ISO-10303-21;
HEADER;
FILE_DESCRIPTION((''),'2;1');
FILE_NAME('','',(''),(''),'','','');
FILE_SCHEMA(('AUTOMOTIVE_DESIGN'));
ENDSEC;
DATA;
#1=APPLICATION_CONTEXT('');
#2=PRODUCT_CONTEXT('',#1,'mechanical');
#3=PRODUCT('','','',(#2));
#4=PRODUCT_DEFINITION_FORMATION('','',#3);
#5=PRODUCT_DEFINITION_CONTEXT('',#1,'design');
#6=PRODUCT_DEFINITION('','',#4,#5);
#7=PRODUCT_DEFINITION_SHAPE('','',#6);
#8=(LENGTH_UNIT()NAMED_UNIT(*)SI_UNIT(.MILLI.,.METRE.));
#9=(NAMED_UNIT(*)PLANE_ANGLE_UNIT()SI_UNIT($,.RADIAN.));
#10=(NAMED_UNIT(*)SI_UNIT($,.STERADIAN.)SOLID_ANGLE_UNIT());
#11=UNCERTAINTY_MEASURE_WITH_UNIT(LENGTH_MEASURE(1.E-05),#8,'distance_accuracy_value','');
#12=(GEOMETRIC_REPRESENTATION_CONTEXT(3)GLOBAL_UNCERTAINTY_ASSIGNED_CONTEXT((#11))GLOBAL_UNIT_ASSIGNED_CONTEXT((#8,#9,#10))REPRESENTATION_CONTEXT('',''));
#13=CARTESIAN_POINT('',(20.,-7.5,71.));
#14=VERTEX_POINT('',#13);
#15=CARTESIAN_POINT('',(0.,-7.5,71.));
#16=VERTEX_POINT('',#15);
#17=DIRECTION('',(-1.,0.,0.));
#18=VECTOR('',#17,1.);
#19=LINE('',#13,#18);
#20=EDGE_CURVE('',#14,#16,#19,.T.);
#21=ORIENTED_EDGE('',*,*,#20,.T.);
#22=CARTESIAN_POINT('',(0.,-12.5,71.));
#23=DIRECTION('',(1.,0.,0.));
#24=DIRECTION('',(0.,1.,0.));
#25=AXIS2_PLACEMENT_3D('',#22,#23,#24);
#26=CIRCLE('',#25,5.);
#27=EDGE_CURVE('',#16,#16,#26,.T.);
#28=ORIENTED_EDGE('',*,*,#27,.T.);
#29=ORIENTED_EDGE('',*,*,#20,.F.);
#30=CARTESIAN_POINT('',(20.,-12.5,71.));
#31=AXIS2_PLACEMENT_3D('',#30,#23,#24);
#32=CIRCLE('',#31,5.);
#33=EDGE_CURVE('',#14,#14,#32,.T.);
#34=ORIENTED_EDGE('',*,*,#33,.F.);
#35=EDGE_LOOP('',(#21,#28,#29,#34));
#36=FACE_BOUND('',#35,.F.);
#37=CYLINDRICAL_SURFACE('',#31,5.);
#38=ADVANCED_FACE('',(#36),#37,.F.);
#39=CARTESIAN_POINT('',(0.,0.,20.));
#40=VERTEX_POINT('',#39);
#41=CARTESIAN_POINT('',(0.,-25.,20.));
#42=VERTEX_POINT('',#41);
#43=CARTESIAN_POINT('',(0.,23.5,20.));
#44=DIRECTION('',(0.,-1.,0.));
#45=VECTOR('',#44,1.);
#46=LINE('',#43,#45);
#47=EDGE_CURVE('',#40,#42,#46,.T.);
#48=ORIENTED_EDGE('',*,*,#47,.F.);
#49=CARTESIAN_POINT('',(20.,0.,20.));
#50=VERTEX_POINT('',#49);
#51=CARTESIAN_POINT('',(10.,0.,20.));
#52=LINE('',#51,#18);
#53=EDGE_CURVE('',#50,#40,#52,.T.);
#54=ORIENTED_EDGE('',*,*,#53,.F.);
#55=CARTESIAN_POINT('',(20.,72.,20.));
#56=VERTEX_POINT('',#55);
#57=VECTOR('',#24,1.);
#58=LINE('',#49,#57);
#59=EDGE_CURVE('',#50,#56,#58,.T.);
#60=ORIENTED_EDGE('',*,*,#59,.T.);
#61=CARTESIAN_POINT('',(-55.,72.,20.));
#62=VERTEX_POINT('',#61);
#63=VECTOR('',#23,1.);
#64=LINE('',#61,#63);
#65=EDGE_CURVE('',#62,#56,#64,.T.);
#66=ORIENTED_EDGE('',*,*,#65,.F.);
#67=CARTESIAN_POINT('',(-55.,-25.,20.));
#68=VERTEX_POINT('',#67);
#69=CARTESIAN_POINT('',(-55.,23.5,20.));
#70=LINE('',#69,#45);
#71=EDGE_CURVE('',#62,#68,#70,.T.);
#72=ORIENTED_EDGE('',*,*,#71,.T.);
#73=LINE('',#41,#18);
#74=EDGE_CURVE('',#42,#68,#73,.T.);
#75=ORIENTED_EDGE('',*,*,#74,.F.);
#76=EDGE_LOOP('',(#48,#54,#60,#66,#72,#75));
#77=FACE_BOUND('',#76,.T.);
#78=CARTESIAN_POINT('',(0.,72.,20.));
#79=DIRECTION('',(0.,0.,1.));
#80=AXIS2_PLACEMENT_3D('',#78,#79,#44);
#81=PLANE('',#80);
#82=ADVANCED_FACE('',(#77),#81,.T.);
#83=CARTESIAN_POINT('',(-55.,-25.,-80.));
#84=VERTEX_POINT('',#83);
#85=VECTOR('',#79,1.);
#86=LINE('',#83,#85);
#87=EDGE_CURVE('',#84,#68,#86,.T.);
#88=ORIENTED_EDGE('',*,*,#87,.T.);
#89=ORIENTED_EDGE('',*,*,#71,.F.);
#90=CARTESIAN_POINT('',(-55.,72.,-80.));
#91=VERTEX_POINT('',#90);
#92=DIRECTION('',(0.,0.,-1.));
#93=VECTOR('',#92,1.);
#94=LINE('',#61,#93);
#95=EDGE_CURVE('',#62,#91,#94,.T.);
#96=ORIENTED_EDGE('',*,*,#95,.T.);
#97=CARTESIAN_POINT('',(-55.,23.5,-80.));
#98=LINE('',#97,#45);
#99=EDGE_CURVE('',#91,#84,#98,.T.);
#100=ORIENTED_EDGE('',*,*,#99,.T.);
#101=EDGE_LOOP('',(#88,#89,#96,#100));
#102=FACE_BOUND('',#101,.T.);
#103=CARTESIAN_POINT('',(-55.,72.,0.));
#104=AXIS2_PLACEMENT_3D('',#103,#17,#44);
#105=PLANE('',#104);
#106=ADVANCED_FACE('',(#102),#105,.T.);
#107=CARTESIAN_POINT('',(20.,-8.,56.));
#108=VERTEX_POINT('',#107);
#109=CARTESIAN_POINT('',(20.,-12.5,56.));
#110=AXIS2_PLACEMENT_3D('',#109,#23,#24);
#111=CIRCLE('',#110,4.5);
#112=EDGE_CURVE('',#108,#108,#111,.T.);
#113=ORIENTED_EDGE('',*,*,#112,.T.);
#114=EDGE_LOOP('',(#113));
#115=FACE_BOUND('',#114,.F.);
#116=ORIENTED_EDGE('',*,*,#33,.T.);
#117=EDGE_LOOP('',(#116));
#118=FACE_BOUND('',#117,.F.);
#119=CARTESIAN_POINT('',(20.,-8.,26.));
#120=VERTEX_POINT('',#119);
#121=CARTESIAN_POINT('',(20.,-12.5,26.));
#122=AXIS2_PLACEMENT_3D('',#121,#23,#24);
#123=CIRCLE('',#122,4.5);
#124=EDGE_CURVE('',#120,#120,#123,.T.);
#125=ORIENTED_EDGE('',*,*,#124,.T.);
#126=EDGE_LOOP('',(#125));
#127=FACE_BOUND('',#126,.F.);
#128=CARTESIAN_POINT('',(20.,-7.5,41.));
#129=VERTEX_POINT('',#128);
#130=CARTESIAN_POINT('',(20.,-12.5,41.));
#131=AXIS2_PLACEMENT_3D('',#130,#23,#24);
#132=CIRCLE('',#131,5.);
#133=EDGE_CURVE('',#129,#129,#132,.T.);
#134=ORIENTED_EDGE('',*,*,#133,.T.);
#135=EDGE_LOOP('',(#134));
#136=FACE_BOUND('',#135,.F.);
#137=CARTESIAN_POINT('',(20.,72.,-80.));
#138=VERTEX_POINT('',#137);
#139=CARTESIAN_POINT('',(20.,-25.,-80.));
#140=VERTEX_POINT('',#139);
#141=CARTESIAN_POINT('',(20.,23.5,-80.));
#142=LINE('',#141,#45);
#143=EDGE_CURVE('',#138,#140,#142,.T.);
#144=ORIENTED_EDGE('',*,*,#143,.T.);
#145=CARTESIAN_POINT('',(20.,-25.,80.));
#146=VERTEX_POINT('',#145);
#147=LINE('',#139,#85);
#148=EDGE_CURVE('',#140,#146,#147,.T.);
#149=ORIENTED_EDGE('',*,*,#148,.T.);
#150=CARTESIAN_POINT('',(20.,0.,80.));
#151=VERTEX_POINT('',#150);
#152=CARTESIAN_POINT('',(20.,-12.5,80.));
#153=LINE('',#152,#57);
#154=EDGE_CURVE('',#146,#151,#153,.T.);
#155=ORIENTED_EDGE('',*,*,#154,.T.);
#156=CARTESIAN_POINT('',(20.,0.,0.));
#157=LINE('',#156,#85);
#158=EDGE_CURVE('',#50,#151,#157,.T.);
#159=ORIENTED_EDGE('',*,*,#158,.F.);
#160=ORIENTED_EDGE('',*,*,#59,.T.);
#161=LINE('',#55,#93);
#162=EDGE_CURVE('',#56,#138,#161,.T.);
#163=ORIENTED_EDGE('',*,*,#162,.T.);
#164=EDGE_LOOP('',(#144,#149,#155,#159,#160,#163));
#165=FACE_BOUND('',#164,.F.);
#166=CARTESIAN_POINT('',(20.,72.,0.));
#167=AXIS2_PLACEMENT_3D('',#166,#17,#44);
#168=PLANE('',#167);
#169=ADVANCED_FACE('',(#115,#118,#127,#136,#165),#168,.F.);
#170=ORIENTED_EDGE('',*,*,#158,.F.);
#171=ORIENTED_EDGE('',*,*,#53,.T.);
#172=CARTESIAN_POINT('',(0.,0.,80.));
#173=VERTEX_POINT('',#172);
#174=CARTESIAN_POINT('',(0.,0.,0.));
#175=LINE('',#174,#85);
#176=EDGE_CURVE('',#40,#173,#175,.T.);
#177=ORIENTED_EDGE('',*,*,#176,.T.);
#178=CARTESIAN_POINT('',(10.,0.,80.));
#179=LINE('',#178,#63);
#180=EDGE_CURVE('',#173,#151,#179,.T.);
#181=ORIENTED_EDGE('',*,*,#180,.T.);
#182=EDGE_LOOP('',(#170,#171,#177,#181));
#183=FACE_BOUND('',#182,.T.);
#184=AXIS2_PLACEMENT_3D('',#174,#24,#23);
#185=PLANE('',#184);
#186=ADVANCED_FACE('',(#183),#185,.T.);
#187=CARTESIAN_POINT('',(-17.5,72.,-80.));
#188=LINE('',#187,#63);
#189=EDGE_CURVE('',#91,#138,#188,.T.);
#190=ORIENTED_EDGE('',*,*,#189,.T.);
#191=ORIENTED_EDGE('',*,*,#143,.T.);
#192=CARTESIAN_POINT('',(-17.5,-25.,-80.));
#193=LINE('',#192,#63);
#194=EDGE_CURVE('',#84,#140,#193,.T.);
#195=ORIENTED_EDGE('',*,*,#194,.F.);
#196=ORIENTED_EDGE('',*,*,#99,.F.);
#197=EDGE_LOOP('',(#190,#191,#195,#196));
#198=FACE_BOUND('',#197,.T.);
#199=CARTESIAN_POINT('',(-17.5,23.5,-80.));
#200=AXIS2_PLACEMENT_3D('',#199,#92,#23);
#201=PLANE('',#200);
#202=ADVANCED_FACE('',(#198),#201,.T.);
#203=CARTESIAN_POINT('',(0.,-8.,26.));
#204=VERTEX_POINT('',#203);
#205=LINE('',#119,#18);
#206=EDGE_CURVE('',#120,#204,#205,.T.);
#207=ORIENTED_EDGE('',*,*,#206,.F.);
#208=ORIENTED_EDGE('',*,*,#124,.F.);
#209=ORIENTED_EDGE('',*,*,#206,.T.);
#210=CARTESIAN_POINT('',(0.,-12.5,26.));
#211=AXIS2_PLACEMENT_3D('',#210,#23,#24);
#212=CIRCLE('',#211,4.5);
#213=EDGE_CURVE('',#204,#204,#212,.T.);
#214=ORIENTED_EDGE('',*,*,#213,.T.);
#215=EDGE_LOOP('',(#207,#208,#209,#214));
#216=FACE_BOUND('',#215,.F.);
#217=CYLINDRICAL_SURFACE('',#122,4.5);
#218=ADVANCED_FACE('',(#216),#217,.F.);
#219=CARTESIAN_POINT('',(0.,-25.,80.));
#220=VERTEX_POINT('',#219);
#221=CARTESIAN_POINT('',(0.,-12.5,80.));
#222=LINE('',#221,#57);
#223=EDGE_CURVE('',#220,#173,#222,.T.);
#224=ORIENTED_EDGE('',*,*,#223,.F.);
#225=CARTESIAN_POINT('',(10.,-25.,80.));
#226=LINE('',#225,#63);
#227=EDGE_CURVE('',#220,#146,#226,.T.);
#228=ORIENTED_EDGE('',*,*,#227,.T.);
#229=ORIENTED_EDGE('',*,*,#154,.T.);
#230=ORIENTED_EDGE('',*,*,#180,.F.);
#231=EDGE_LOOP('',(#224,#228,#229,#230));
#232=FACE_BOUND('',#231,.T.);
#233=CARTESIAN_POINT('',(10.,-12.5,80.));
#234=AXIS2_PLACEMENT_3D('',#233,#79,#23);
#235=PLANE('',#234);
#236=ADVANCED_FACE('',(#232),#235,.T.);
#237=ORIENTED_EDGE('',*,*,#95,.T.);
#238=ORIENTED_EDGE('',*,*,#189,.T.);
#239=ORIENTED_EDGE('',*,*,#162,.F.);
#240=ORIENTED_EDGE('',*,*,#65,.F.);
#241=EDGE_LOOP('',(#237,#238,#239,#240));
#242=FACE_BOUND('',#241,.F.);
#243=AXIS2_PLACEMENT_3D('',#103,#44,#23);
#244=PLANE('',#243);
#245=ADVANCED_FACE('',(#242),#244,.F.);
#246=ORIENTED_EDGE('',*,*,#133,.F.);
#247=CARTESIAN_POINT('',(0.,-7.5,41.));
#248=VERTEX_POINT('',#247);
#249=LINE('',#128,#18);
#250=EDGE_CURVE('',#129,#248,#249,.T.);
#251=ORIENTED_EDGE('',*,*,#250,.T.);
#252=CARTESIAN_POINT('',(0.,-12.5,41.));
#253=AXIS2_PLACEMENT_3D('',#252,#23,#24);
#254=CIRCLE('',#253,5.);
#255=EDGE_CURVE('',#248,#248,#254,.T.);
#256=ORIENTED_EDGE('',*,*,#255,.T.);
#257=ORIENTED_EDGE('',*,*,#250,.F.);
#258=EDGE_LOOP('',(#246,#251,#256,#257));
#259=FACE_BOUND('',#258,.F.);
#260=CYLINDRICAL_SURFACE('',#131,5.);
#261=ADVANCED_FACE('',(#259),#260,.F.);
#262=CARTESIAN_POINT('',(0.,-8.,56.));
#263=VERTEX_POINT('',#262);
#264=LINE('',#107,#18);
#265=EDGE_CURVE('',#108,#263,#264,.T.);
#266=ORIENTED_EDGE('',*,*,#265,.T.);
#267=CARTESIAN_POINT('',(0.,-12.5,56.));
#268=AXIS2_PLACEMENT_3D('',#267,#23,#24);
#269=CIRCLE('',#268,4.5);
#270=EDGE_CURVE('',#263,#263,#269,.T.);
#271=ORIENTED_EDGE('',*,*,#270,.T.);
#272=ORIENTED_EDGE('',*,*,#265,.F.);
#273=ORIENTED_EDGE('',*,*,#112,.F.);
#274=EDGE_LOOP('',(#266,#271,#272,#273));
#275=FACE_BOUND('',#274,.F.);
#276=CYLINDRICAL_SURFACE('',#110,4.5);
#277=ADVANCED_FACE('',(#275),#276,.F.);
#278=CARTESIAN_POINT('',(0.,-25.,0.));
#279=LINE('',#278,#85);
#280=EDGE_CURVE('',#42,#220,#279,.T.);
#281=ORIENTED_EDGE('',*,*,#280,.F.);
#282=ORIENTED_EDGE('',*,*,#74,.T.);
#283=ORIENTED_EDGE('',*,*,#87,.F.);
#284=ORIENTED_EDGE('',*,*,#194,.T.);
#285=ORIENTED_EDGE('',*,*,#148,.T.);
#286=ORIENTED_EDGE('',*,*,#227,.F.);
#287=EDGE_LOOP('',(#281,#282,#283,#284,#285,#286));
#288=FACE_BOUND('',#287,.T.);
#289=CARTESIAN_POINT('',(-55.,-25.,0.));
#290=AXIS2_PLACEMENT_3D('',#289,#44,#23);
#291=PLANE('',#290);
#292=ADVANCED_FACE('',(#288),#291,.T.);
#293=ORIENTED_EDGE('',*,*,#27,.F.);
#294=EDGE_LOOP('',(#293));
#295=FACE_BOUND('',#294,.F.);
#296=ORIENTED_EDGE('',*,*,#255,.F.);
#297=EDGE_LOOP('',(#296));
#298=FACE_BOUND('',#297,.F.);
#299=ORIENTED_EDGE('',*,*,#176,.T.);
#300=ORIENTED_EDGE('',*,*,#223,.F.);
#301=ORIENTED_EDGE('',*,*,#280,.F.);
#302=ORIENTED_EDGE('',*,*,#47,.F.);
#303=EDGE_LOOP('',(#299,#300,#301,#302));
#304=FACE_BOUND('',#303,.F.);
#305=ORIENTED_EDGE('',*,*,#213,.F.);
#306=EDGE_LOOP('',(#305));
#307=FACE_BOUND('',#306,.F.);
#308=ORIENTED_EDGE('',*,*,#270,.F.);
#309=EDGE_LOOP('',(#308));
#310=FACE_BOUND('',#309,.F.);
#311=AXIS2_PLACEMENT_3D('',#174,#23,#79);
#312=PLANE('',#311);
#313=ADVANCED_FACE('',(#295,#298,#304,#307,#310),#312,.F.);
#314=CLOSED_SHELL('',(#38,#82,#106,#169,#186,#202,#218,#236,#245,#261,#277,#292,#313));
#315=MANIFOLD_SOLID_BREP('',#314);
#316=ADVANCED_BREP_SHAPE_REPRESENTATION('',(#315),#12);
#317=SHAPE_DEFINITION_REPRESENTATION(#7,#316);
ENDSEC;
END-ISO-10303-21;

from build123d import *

# Parameters (mm, degrees)
F0_W     = 20
F0_H     = 25
F1_DEPTH = 80
F2_R     = 5
F2_R_2   = 4.5
F3_DEPTH = 25
F4_W     = 20
F4_H     = 20
F5_DEPTH = 72
F6_W     = 97
F6_H     = 20
F7_DEPTH = 55
F8_W     = 75
F8_H     = 97
F9_DEPTH = 80


with BuildPart() as f1:
    # F0 (on Top) → F1 (new body)
    with BuildSketch(Plane.XY):
        with Locations((10, -12.5)):
            Rectangle(F0_W, F0_H)
    extrude(amount=F1_DEPTH)

    # F2 (on face) → F3 (cut)
    with BuildSketch(Plane.YZ.offset(20)):
        with Locations((-12.5, 71)):
            Circle(F2_R)
        with Locations((-12.5, 56)):
            Circle(F2_R_2)
        with Locations((-12.5, 41)):
            Circle(F2_R)
        with Locations((-12.5, 26)):
            Circle(F2_R_2)
    extrude(amount=-F3_DEPTH, mode=Mode.SUBTRACT)

    # F4 (on face) → F5 (join)
    with BuildSketch(Plane(origin=(0, 0, 0), x_dir=(-1, 0, 0), z_dir=(0, 1, 0))):
        with Locations((-10, 10)):
            Rectangle(F4_W, F4_H)
    extrude(amount=F5_DEPTH)

    # F6 (on face) → F7 (join)
    with BuildSketch(Plane(origin=(0, 0, 0), x_dir=(0, -1, 0), z_dir=(-1, 0, 0))):
        with Locations((-23.5, 10)):
            Rectangle(F6_W, F6_H)
    extrude(amount=F7_DEPTH)

    # F8 (on face) → F9 (join)
    with BuildSketch(Plane(origin=(0, 0, 0), x_dir=(1, 0, 0), z_dir=(0, 0, -1))):
        with Locations((-17.5, -23.5)):
            Rectangle(F8_W, F8_H)
    extrude(amount=F9_DEPTH)


solid = f1.part
